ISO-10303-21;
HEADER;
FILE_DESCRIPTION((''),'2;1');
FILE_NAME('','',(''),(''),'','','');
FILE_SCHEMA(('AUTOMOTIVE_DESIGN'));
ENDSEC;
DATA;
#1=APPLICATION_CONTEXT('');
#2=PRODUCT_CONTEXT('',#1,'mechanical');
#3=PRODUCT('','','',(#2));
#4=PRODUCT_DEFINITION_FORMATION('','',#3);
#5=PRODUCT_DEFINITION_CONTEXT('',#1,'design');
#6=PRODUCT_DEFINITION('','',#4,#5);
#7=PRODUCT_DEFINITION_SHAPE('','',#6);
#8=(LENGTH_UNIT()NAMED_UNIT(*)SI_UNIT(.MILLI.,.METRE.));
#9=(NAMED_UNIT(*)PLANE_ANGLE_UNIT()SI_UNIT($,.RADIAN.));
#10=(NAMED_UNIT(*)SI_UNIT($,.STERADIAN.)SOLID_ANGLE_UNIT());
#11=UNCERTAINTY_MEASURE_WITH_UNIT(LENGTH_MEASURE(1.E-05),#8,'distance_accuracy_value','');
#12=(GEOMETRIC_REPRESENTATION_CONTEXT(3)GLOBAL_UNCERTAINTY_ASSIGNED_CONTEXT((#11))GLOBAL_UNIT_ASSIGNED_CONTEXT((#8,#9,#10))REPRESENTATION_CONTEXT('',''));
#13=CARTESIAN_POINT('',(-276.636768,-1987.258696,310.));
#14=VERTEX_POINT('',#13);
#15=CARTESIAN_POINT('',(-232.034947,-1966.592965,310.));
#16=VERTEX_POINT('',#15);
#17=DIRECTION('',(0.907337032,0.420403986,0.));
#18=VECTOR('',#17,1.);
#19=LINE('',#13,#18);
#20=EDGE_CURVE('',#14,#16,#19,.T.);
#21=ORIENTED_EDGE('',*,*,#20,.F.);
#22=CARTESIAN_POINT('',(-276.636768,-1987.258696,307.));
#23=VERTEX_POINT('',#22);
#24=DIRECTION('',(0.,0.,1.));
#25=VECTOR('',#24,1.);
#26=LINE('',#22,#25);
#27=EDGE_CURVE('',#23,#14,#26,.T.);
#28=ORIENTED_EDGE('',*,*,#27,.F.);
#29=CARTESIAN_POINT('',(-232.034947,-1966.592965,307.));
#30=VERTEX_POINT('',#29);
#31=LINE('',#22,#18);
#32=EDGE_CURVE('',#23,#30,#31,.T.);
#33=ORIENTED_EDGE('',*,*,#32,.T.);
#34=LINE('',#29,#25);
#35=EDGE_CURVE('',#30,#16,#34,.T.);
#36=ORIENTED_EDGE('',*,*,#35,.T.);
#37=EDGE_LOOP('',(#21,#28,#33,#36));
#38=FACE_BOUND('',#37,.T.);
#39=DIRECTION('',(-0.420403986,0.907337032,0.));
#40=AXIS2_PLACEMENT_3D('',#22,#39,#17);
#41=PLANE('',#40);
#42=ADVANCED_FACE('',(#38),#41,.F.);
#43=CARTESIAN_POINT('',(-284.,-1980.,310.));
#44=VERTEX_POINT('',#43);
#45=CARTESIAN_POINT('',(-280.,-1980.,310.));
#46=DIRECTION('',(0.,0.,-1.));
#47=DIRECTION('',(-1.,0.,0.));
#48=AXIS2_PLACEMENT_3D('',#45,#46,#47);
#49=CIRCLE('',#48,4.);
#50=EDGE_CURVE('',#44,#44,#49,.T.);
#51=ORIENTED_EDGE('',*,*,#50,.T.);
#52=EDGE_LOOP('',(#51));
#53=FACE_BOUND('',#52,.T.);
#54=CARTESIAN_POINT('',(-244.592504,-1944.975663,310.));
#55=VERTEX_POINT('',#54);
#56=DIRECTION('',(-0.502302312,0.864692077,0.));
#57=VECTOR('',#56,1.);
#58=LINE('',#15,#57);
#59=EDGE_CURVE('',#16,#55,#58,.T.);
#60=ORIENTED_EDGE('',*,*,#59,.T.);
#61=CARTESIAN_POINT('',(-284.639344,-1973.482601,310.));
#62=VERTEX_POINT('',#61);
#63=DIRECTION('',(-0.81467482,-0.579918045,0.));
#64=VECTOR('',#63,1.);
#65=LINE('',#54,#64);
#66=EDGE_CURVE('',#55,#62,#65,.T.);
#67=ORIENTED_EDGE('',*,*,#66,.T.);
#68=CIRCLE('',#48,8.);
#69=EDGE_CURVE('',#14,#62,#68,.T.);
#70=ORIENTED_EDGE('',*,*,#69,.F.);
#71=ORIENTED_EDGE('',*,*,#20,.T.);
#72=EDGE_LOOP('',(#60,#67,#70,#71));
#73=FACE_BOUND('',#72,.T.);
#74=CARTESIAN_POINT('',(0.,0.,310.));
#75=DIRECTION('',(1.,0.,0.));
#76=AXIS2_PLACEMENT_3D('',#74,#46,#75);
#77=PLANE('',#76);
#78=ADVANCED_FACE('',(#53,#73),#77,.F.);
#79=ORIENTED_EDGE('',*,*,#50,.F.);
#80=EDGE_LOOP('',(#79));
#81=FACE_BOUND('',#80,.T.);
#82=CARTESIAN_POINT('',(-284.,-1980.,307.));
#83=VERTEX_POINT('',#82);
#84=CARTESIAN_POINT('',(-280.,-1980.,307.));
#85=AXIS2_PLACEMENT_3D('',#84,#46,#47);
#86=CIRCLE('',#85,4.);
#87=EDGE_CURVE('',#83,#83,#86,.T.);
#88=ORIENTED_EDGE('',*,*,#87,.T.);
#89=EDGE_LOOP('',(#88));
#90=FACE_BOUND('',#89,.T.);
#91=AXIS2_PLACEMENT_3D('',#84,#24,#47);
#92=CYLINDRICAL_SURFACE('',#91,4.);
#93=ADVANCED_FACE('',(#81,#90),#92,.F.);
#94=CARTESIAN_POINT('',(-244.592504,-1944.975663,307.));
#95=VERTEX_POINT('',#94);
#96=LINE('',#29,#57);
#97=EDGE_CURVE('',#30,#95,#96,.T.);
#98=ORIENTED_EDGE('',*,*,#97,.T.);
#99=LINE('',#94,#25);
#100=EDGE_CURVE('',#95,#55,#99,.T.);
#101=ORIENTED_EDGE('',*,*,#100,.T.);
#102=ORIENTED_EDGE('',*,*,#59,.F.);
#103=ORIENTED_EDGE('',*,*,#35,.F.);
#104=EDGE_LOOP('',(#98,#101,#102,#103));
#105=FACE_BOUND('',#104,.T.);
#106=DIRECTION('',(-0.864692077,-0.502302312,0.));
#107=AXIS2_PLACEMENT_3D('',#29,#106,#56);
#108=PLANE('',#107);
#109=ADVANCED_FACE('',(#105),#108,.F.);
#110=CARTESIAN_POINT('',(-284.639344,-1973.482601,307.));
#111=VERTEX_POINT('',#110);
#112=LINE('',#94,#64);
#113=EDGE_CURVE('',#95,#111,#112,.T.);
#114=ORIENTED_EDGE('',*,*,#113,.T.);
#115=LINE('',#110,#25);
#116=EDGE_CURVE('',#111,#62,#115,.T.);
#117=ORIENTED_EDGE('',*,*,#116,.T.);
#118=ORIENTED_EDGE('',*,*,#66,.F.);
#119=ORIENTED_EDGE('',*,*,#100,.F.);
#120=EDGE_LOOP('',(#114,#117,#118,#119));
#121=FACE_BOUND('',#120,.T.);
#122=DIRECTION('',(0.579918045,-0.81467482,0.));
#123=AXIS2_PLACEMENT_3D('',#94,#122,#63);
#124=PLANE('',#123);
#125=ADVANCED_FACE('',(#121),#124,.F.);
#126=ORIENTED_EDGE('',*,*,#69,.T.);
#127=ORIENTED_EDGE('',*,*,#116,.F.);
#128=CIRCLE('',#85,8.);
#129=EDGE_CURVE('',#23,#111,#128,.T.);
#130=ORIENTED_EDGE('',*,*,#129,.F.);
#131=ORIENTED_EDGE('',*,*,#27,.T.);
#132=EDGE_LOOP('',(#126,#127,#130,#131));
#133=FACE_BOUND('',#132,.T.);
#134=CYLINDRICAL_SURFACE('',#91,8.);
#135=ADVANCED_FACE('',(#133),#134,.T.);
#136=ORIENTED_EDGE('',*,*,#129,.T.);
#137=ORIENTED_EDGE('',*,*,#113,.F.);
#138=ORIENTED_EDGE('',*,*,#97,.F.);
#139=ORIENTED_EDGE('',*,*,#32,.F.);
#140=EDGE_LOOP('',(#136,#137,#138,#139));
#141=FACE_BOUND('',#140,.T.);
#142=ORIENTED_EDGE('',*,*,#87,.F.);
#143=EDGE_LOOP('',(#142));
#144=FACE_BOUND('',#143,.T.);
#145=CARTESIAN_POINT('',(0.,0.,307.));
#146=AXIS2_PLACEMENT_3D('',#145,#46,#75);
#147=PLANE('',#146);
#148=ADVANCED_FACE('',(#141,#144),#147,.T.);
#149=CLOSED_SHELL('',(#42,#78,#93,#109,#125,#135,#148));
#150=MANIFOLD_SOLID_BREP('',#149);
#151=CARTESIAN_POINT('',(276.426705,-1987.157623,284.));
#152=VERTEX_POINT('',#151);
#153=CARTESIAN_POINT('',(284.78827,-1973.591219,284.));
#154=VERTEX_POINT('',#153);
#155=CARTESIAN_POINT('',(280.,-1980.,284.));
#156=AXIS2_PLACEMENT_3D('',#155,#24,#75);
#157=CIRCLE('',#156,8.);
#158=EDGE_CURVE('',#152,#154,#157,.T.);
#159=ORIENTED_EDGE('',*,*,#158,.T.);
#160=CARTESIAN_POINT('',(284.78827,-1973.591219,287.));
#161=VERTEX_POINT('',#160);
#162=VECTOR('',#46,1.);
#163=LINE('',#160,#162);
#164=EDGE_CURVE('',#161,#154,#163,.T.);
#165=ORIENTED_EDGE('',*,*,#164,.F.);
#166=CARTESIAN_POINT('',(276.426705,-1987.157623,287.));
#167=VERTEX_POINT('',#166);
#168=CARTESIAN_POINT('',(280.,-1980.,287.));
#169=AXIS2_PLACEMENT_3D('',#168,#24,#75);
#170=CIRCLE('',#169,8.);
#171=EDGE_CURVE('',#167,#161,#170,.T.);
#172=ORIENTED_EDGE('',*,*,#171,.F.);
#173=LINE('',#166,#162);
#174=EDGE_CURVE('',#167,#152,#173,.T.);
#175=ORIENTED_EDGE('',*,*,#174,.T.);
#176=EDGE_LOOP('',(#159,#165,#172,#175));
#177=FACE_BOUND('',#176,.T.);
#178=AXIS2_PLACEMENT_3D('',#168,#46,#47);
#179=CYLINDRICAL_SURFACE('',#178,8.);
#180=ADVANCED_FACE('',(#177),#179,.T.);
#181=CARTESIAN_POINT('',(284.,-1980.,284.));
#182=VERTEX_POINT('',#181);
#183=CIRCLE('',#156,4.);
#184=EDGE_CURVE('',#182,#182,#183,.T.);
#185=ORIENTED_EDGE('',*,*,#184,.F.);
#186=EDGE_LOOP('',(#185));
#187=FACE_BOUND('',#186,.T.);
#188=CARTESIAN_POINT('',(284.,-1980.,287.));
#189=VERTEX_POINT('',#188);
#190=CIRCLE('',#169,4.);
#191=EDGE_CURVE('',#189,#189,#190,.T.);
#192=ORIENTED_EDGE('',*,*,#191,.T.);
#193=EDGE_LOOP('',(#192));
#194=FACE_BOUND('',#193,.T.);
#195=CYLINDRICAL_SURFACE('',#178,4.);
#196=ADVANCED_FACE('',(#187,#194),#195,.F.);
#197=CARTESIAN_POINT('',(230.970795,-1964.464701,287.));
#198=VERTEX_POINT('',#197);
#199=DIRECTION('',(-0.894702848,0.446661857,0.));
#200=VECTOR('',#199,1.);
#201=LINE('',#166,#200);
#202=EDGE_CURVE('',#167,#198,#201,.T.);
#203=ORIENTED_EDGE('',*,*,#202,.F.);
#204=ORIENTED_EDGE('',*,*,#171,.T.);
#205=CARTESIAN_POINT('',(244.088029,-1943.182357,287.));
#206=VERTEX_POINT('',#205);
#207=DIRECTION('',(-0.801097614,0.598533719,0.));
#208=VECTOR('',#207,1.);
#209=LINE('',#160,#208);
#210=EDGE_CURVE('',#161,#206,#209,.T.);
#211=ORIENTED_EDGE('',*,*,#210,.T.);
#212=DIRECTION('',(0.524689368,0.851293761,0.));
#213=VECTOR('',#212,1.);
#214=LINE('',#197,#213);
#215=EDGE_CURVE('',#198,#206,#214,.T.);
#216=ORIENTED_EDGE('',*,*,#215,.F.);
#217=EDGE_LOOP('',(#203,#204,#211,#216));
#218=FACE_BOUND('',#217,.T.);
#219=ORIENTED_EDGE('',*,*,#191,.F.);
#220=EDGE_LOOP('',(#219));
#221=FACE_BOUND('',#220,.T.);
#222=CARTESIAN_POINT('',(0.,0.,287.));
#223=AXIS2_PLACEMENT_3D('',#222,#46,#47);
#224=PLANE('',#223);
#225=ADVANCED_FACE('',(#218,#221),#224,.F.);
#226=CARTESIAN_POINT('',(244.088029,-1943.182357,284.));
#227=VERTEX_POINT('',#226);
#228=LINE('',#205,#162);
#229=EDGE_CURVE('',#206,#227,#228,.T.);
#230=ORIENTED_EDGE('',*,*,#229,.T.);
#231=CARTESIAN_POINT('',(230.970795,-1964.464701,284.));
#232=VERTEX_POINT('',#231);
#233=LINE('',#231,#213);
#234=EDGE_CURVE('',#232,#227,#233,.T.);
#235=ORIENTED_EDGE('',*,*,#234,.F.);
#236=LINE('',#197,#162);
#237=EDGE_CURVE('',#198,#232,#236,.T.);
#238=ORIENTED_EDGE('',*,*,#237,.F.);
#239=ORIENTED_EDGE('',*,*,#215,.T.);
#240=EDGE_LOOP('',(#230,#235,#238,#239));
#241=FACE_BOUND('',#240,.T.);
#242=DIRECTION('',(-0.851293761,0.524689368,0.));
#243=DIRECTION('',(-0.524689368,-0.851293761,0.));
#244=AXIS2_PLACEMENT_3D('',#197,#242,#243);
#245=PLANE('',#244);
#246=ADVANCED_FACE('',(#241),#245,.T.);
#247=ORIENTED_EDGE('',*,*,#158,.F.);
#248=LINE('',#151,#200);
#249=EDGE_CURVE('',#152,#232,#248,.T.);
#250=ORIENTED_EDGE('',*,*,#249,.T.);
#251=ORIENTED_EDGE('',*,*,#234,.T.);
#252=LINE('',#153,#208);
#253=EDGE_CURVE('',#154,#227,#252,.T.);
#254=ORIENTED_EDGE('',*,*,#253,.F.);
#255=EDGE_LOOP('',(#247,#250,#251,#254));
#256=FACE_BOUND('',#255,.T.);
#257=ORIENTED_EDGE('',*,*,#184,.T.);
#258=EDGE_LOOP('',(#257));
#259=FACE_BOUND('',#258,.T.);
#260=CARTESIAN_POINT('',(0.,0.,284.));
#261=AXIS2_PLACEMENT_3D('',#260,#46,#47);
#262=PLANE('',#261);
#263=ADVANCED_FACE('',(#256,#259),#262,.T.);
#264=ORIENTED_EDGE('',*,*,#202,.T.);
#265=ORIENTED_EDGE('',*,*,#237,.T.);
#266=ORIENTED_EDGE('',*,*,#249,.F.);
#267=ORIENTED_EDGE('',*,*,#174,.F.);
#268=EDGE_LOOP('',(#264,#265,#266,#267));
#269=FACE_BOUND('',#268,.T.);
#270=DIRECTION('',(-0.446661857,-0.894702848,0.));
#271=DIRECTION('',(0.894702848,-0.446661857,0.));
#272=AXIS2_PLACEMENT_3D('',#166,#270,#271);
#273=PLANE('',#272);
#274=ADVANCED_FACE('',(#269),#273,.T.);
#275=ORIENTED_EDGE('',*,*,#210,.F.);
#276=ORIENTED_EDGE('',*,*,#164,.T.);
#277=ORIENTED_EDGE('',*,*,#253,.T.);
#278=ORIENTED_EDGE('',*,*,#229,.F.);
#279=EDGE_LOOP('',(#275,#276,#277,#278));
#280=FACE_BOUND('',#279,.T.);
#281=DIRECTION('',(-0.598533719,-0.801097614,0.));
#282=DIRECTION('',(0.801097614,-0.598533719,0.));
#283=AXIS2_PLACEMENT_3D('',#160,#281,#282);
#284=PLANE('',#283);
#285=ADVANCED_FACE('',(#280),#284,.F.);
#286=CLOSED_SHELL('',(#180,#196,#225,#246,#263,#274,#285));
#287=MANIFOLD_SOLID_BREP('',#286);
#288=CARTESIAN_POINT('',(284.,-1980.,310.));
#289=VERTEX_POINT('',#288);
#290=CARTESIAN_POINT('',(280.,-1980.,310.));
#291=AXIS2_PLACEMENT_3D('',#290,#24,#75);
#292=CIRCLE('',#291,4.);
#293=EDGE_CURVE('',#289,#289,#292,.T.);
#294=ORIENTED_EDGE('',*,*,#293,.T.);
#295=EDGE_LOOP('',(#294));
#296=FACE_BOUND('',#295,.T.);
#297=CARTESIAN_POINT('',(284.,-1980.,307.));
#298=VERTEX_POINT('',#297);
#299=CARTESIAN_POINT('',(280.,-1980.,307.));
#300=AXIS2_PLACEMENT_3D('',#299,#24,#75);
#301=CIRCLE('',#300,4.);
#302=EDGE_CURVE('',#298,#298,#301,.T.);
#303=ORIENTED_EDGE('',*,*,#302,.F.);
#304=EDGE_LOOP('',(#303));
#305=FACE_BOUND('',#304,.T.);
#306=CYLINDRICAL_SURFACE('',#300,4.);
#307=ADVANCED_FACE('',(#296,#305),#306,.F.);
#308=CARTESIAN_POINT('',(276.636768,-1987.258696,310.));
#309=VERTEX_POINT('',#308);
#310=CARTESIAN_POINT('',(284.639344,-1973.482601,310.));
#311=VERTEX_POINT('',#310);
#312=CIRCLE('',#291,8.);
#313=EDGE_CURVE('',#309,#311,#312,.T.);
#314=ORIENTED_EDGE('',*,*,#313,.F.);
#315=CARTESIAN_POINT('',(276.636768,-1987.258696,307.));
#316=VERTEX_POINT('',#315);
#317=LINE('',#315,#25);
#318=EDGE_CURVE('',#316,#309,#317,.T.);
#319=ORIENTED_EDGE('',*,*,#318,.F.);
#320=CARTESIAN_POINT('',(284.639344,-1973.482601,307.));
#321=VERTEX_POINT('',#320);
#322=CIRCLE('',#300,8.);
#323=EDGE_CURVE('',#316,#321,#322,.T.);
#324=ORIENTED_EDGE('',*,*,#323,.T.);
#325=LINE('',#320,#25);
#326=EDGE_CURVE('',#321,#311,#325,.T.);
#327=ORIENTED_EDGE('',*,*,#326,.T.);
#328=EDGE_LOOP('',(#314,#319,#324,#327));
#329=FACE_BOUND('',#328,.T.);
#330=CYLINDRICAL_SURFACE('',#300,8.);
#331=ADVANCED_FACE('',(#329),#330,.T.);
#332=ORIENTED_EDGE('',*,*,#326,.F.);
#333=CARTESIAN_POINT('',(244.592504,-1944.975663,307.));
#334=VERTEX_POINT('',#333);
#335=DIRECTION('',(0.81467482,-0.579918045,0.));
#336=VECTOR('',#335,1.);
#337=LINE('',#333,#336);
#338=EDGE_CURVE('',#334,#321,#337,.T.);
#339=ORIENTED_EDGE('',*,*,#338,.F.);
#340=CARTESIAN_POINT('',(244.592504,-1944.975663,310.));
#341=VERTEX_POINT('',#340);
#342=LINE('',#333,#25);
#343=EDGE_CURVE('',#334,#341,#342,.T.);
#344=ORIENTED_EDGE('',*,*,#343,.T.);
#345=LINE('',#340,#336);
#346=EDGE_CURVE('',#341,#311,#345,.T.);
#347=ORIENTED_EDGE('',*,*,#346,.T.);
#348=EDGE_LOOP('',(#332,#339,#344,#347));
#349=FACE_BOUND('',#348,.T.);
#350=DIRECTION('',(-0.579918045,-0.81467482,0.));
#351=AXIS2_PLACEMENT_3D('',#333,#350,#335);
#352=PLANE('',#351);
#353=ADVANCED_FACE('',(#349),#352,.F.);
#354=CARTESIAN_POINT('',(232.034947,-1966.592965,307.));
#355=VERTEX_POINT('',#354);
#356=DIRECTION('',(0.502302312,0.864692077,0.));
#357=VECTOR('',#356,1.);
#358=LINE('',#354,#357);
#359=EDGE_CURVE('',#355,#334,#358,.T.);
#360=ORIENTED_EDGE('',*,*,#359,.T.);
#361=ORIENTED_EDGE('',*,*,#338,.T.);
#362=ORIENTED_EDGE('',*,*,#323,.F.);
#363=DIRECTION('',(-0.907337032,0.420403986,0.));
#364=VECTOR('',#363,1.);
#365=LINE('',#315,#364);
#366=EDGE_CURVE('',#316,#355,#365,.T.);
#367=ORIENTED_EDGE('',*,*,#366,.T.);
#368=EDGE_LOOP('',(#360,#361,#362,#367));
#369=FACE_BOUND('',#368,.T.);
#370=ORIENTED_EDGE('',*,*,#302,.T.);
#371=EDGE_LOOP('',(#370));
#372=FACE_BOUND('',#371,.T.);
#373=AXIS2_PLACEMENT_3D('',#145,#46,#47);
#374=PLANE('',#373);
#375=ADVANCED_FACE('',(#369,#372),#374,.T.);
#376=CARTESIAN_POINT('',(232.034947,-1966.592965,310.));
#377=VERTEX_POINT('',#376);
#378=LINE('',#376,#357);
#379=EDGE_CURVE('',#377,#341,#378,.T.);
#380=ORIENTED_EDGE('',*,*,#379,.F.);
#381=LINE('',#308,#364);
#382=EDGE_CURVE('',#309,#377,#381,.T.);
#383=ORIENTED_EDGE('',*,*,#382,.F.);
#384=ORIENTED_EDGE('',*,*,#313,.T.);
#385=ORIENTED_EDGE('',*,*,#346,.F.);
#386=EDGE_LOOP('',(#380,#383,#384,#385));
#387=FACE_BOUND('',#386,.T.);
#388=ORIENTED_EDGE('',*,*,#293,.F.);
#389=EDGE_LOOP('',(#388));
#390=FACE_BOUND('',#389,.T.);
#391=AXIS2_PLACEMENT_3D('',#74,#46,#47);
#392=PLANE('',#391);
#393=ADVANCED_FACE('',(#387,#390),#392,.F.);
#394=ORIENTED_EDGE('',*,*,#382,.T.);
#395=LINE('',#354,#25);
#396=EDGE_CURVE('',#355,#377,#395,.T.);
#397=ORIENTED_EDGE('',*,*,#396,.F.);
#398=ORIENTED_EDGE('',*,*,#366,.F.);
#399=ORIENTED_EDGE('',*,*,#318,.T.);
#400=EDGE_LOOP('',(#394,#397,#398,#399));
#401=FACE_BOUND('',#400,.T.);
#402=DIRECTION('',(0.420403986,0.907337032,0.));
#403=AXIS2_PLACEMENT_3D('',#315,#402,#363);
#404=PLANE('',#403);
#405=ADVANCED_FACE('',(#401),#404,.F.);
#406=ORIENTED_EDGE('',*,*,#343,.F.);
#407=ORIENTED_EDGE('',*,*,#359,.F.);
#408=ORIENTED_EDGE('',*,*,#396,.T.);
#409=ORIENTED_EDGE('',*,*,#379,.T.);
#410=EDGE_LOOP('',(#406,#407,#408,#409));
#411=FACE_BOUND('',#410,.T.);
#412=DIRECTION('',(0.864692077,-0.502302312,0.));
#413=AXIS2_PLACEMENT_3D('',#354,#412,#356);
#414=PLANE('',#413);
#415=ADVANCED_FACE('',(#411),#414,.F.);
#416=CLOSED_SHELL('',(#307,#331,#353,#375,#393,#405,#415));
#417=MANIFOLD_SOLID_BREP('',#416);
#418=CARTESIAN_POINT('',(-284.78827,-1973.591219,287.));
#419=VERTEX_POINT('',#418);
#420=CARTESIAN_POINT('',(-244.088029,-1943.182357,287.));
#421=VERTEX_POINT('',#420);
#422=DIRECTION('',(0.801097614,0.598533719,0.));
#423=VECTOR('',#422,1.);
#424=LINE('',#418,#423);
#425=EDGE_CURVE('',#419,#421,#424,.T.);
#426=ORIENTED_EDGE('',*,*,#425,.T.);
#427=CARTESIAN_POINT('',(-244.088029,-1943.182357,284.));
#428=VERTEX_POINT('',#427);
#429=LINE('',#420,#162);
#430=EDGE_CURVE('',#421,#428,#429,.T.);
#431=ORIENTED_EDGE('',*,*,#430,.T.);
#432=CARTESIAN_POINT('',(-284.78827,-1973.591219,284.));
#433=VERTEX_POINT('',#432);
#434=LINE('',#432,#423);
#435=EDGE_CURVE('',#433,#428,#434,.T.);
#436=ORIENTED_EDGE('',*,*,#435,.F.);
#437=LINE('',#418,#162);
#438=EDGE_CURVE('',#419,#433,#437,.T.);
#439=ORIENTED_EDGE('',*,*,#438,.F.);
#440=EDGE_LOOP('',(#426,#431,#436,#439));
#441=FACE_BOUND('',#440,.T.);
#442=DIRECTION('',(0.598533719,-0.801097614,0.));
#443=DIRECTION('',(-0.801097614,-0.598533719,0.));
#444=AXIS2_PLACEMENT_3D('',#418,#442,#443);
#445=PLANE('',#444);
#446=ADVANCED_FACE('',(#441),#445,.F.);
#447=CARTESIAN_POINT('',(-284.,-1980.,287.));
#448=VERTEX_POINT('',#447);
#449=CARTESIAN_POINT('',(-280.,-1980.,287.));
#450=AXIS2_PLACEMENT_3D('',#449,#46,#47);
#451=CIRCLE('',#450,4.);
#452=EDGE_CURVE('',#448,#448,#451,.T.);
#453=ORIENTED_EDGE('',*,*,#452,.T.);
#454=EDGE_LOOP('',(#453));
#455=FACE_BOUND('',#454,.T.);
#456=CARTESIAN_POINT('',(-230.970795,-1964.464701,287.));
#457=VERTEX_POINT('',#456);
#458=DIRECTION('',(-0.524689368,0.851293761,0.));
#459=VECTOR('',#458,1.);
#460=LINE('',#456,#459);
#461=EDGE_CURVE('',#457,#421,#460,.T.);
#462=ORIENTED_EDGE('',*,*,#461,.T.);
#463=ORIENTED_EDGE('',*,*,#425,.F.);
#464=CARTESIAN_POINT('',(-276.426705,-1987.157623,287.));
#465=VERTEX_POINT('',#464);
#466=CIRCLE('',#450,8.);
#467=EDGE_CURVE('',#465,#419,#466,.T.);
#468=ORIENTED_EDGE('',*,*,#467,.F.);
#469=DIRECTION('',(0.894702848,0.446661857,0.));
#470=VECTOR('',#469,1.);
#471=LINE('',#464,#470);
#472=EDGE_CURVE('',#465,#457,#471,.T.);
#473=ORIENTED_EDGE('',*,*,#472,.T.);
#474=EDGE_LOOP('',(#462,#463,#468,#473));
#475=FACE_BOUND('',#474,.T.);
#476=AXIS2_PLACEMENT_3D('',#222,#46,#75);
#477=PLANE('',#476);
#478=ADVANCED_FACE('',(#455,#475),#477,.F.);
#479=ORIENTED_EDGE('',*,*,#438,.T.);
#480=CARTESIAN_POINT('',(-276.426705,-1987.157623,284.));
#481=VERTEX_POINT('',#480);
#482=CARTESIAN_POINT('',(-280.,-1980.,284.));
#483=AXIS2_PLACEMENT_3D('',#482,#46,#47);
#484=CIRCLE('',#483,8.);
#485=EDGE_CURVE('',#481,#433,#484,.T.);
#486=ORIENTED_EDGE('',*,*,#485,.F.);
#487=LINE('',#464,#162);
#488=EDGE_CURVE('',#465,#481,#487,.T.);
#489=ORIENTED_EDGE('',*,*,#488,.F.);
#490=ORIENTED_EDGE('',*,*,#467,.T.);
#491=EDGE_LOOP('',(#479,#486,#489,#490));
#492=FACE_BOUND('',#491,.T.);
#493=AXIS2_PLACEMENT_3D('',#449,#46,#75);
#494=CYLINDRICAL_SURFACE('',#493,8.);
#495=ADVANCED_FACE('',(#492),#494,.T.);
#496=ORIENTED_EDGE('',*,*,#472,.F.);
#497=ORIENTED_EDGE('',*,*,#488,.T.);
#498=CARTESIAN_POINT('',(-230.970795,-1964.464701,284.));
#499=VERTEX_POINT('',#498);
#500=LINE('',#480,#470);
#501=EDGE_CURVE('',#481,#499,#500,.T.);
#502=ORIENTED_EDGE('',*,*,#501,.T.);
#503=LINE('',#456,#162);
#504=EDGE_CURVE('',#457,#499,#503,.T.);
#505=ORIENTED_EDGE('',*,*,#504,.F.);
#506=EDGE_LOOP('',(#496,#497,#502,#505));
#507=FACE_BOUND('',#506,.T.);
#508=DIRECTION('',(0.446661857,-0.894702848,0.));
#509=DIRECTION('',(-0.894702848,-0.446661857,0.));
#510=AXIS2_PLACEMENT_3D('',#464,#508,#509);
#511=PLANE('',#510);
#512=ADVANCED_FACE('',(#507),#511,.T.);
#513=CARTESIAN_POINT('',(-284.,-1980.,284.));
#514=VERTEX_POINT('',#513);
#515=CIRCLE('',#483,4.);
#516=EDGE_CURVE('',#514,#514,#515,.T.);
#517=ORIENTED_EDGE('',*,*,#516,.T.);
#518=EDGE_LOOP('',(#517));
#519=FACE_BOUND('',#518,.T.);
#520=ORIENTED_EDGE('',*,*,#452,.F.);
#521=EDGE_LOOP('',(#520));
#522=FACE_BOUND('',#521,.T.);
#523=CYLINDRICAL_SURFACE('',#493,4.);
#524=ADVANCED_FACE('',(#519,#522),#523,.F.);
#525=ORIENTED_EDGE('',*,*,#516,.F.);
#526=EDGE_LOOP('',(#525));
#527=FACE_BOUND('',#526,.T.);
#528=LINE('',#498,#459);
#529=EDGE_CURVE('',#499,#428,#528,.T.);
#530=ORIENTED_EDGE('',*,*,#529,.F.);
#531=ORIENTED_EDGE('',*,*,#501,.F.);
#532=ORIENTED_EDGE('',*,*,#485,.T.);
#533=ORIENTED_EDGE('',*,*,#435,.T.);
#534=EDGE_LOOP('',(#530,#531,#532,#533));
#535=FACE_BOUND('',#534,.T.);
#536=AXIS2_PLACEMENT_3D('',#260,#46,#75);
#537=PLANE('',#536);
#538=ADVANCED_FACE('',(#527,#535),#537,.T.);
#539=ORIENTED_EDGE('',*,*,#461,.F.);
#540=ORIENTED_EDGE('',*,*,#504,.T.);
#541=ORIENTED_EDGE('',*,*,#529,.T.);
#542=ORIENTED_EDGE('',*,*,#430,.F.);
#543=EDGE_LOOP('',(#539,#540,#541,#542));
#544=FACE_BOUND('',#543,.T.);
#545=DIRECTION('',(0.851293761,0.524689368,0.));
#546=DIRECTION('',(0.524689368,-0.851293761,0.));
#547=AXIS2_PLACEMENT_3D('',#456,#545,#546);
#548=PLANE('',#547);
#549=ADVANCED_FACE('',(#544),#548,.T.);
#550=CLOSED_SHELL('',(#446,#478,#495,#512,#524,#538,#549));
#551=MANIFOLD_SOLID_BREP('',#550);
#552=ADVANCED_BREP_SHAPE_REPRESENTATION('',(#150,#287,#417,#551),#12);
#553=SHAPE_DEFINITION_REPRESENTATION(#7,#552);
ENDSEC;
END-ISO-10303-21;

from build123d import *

# Parameters (mm, degrees)
F_3DSKETCH1_R        = 4
BOSS_EXTRUDE_U_DEPTH = 3
BOSS_EXTRUDE_L_START = -3
F_3DSKETCH2_R        = 4
BOSS_EXTRUDE_L_DEPTH = 3


with BuildPart() as part:
    # 3DSketch1 → Boss-Extrude-U (new body)
    with BuildSketch(Plane(origin=(276.636768115, -1987.258696252, 307), x_dir=(-0.6039973468272041, 0.7969863267495234, -3.557491611711546e-14), z_dir=(0, 0, 1))):
        with BuildLine():
            Line((0, 0), (43.409687354, 23.064994864))
            Line((43.409687354, 23.064994864), (53.053649815, 0))
            Line((53.053649815, 0), (6.145824381, -14.698668557))
            ThreePointArc((6.145824381, -14.698668557), (-3.627099829, -10.150751092), (0, 0))
        make_face()
        with Locations(Location((3.753698528, -7.064683104, 0), (0, 0, 232.843273819))):
            Circle(F_3DSKETCH1_R, mode=Mode.SUBTRACT)
    extrude(amount=BOSS_EXTRUDE_U_DEPTH)


with BuildPart() as body_2:
    # 3DSketch2 → Boss-Extrude-L (new body)
    with BuildSketch(Plane(origin=(276.426705148, -1987.157622783, 287), x_dir=(-0.5924370894064002, 0.8056167172394533, -4.372891384724364e-14), z_dir=(0, 0, 1)).offset(BOSS_EXTRUDE_L_START)):
        with BuildLine():
            Line((0, 0), (45.211564112, 23.1759131))
            Line((45.211564112, 23.1759131), (54.58584019, 0))
            Line((54.58584019, 0), (5.975620612, -14.773456946))
            ThreePointArc((5.975620612, -14.773456946), (-3.766944025, -10.118915622), (0, 0))
        make_face()
        with Locations(Location((3.649348167, -7.119147277, 0), (0, 0, 233.669857139))):
            Circle(F_3DSKETCH2_R, mode=Mode.SUBTRACT)
    extrude(amount=BOSS_EXTRUDE_L_DEPTH)


with BuildPart() as body_3:
    # Mirror1: mirrored copy
    add(part.part.mirror(Plane(origin=(0, 0, 0), x_dir=(0, 0, 1), z_dir=(1, 0, 0))))


with BuildPart() as body_4:
    # Mirror1 2: mirrored copy
    add(body_2.part.mirror(Plane(origin=(0, 0, 0), x_dir=(0, 0, 1), z_dir=(1, 0, 0))))


solid = Compound([part.part, body_2.part, body_3.part, body_4.part])
